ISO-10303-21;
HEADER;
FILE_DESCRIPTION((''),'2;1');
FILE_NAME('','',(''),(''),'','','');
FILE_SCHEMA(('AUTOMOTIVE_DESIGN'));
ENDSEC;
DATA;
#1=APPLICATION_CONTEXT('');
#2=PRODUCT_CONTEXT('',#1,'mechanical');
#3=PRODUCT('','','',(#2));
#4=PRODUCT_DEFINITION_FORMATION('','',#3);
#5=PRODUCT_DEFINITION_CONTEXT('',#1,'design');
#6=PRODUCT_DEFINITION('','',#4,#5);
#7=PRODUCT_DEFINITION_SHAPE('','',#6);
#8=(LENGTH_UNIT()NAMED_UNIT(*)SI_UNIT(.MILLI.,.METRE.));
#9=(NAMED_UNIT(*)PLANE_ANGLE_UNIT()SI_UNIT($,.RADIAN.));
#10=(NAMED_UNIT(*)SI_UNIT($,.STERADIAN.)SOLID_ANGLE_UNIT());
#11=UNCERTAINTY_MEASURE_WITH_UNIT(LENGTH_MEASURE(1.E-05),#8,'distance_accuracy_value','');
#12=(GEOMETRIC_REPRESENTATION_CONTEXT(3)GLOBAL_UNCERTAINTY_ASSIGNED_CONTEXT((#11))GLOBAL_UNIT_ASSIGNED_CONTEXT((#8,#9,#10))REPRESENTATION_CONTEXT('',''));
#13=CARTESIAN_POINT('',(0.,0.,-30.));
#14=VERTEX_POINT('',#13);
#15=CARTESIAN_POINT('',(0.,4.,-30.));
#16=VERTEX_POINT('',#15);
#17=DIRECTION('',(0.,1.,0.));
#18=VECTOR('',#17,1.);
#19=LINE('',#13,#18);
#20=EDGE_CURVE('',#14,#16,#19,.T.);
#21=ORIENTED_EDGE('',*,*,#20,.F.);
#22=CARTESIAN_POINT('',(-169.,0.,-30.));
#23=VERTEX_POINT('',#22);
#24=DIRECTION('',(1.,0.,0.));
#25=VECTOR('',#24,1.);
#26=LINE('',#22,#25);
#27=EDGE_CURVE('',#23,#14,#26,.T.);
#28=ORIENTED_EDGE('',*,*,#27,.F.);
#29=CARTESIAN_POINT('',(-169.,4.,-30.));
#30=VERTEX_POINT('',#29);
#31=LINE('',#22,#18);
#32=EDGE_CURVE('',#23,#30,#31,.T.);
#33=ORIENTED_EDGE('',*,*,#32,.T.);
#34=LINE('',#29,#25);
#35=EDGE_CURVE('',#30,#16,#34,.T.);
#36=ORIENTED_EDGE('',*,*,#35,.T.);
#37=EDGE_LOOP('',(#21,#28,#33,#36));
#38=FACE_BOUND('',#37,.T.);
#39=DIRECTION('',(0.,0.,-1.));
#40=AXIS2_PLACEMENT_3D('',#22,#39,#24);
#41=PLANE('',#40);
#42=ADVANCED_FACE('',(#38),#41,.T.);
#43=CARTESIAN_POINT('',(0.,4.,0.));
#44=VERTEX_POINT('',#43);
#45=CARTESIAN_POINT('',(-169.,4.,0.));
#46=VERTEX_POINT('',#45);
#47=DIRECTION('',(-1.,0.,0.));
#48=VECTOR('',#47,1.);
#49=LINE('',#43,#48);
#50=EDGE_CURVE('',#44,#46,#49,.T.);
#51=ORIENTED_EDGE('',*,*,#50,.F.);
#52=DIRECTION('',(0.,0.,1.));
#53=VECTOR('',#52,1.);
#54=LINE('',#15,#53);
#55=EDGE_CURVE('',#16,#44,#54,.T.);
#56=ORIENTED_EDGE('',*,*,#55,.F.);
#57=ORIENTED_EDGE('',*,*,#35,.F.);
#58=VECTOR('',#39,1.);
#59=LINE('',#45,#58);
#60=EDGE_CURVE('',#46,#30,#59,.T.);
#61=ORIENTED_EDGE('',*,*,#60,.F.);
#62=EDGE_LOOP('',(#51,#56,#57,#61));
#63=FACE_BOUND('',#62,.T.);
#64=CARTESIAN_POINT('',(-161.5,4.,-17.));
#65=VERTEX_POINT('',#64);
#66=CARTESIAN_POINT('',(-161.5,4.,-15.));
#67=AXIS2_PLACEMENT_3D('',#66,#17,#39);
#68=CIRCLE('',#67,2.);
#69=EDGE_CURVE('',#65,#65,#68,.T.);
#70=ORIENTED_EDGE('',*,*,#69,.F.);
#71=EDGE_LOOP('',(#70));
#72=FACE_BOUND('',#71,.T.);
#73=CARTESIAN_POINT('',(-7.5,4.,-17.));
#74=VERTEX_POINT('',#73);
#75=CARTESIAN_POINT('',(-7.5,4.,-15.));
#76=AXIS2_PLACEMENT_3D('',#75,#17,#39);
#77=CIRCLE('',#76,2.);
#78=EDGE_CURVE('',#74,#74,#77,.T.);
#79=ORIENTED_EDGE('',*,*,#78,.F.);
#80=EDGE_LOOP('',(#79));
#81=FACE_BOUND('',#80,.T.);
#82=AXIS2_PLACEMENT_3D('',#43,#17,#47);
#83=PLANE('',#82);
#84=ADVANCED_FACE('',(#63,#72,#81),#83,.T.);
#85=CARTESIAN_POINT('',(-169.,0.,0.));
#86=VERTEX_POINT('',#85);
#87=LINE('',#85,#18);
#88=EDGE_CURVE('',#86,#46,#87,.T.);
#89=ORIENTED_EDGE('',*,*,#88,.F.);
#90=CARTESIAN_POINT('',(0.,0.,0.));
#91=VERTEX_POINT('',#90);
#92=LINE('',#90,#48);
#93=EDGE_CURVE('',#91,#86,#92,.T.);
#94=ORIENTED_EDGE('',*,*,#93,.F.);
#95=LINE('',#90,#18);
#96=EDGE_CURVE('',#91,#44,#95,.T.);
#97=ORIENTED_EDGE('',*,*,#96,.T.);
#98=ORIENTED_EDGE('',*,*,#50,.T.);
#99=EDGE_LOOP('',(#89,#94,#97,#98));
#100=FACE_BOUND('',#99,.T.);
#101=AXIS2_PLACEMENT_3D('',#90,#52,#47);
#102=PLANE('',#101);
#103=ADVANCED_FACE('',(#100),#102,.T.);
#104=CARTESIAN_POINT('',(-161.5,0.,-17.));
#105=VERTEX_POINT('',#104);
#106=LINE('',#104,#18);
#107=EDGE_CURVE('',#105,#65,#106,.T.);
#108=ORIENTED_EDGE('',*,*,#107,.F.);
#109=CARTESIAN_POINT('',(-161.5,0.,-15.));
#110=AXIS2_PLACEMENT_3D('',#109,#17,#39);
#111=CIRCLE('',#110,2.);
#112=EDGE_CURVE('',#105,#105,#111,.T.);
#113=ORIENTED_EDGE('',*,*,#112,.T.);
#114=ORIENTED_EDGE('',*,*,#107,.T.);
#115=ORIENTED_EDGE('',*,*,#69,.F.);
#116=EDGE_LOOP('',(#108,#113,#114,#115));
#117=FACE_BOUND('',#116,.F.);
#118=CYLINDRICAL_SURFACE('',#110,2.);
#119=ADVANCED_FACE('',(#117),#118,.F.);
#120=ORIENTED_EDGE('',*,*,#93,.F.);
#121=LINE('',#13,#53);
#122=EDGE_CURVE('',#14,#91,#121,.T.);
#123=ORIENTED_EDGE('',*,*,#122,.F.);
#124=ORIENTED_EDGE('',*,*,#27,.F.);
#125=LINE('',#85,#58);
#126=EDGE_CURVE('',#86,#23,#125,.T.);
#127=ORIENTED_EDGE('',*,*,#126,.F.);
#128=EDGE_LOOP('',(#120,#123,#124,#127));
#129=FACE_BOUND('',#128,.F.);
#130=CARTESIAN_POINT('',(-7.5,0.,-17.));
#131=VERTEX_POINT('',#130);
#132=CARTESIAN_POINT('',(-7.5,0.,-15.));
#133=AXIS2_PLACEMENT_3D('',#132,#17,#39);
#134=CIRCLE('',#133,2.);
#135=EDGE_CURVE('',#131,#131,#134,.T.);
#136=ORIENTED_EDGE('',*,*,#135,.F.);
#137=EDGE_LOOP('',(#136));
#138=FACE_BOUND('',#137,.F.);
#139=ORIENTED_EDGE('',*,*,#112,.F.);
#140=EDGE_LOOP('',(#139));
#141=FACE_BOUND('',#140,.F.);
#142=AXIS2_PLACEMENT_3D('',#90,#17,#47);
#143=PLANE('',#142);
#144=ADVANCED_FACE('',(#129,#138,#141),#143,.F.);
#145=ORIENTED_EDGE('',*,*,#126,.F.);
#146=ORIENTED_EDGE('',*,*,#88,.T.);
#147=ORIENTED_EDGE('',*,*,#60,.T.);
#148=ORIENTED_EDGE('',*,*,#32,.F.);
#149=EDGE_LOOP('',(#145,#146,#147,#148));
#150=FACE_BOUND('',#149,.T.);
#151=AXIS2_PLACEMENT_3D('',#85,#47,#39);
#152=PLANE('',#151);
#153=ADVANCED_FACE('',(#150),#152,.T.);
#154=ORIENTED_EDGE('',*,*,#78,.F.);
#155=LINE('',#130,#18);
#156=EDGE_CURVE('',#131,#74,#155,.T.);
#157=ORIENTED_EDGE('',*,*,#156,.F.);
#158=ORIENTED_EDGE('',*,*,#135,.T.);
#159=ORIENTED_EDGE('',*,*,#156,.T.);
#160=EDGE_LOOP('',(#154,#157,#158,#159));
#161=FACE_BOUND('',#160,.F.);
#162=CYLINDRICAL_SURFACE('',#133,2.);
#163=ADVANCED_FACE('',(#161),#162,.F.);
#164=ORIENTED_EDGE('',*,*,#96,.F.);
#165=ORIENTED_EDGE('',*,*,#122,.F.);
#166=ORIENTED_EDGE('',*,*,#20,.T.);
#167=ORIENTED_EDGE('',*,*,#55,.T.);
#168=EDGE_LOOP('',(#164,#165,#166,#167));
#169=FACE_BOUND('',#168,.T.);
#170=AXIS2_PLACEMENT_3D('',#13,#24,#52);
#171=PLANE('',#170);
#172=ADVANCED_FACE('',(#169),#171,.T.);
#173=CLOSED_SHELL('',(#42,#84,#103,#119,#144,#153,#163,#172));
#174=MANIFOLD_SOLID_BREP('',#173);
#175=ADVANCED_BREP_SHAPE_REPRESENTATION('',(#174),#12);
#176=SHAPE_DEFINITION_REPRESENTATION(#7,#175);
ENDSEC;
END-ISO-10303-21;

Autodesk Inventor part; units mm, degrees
ref_plane "YZ Plane" through (0, 0, 0) normal (1, 0, 0) x (0, 1, 0)
ref_plane "XZ Plane" through (0, 0, 0) normal (0, 1, 0) x (-1, 0, 0)
ref_plane "XY Plane" through (0, 0, 0) normal (0, 0, 1) x (1, 0, 0)
sketch "Sketch1" plane through (0, 0, 0) normal (0, 1, 0) x (-1, 0, 0)
  line L0 (0, 0) -> (169, 0)
  line L1 (169, 0) -> (169, -30)
  line L2 (169, -30) -> (0, -30)
  line L3 (0, -30) -> (0, 0)
  dimension "d0" = 169
  dimension "d1" = 30
extrude "Extrusion1" add sketch "Sketch1" along normal blind 4
sketch "Sketch2" plane through (0, 0, 0) normal (0, -1, 0) x (1, 0, 0)
  line L0 (0, 0) -> (0, -30) projected
  line L1 (0, -15) -> (-169, -15) construction
  line L2 (-169, -30) -> (-169, 0) projected
  line L3 (-84.5, -15) -> (-84.5, 52.7002) construction
  point P0 (-161.5, -15)
  point P1 (-7.5, -15)
  dimension "d6" = 154
hole "Hole1" at (-161.5, 0, -15) at (-7.5, 0, -15) direction (0, 1, 0) diameter 4 end through all
sketch "Sketch3" plane through (0, 0, 0) normal (0, -1, 0) x (1, 0, 0)
  line L0 (-169, -30) -> (-169, 0) construction
  line L1 (-169, -15) -> (0, -15) construction
  line L2 (0, 0) -> (0, -30) construction
  line L3 (-169, -4.25) -> (0, -4.25)
  line L4 (-169, -4.25) -> (-169, -15)
  line L5 (0, -4.25) -> (0, -15)
  line L6 (-169, -25.75) -> (0, -25.75)
  line L7 (-169, -25.75) -> (-169, -15)
  line L8 (0, -25.75) -> (0, -15)
  dimension "d15" = 21.5
extrude "Extrusion2" [suppressed]
properties part number "ballastBar" material "Steel"
